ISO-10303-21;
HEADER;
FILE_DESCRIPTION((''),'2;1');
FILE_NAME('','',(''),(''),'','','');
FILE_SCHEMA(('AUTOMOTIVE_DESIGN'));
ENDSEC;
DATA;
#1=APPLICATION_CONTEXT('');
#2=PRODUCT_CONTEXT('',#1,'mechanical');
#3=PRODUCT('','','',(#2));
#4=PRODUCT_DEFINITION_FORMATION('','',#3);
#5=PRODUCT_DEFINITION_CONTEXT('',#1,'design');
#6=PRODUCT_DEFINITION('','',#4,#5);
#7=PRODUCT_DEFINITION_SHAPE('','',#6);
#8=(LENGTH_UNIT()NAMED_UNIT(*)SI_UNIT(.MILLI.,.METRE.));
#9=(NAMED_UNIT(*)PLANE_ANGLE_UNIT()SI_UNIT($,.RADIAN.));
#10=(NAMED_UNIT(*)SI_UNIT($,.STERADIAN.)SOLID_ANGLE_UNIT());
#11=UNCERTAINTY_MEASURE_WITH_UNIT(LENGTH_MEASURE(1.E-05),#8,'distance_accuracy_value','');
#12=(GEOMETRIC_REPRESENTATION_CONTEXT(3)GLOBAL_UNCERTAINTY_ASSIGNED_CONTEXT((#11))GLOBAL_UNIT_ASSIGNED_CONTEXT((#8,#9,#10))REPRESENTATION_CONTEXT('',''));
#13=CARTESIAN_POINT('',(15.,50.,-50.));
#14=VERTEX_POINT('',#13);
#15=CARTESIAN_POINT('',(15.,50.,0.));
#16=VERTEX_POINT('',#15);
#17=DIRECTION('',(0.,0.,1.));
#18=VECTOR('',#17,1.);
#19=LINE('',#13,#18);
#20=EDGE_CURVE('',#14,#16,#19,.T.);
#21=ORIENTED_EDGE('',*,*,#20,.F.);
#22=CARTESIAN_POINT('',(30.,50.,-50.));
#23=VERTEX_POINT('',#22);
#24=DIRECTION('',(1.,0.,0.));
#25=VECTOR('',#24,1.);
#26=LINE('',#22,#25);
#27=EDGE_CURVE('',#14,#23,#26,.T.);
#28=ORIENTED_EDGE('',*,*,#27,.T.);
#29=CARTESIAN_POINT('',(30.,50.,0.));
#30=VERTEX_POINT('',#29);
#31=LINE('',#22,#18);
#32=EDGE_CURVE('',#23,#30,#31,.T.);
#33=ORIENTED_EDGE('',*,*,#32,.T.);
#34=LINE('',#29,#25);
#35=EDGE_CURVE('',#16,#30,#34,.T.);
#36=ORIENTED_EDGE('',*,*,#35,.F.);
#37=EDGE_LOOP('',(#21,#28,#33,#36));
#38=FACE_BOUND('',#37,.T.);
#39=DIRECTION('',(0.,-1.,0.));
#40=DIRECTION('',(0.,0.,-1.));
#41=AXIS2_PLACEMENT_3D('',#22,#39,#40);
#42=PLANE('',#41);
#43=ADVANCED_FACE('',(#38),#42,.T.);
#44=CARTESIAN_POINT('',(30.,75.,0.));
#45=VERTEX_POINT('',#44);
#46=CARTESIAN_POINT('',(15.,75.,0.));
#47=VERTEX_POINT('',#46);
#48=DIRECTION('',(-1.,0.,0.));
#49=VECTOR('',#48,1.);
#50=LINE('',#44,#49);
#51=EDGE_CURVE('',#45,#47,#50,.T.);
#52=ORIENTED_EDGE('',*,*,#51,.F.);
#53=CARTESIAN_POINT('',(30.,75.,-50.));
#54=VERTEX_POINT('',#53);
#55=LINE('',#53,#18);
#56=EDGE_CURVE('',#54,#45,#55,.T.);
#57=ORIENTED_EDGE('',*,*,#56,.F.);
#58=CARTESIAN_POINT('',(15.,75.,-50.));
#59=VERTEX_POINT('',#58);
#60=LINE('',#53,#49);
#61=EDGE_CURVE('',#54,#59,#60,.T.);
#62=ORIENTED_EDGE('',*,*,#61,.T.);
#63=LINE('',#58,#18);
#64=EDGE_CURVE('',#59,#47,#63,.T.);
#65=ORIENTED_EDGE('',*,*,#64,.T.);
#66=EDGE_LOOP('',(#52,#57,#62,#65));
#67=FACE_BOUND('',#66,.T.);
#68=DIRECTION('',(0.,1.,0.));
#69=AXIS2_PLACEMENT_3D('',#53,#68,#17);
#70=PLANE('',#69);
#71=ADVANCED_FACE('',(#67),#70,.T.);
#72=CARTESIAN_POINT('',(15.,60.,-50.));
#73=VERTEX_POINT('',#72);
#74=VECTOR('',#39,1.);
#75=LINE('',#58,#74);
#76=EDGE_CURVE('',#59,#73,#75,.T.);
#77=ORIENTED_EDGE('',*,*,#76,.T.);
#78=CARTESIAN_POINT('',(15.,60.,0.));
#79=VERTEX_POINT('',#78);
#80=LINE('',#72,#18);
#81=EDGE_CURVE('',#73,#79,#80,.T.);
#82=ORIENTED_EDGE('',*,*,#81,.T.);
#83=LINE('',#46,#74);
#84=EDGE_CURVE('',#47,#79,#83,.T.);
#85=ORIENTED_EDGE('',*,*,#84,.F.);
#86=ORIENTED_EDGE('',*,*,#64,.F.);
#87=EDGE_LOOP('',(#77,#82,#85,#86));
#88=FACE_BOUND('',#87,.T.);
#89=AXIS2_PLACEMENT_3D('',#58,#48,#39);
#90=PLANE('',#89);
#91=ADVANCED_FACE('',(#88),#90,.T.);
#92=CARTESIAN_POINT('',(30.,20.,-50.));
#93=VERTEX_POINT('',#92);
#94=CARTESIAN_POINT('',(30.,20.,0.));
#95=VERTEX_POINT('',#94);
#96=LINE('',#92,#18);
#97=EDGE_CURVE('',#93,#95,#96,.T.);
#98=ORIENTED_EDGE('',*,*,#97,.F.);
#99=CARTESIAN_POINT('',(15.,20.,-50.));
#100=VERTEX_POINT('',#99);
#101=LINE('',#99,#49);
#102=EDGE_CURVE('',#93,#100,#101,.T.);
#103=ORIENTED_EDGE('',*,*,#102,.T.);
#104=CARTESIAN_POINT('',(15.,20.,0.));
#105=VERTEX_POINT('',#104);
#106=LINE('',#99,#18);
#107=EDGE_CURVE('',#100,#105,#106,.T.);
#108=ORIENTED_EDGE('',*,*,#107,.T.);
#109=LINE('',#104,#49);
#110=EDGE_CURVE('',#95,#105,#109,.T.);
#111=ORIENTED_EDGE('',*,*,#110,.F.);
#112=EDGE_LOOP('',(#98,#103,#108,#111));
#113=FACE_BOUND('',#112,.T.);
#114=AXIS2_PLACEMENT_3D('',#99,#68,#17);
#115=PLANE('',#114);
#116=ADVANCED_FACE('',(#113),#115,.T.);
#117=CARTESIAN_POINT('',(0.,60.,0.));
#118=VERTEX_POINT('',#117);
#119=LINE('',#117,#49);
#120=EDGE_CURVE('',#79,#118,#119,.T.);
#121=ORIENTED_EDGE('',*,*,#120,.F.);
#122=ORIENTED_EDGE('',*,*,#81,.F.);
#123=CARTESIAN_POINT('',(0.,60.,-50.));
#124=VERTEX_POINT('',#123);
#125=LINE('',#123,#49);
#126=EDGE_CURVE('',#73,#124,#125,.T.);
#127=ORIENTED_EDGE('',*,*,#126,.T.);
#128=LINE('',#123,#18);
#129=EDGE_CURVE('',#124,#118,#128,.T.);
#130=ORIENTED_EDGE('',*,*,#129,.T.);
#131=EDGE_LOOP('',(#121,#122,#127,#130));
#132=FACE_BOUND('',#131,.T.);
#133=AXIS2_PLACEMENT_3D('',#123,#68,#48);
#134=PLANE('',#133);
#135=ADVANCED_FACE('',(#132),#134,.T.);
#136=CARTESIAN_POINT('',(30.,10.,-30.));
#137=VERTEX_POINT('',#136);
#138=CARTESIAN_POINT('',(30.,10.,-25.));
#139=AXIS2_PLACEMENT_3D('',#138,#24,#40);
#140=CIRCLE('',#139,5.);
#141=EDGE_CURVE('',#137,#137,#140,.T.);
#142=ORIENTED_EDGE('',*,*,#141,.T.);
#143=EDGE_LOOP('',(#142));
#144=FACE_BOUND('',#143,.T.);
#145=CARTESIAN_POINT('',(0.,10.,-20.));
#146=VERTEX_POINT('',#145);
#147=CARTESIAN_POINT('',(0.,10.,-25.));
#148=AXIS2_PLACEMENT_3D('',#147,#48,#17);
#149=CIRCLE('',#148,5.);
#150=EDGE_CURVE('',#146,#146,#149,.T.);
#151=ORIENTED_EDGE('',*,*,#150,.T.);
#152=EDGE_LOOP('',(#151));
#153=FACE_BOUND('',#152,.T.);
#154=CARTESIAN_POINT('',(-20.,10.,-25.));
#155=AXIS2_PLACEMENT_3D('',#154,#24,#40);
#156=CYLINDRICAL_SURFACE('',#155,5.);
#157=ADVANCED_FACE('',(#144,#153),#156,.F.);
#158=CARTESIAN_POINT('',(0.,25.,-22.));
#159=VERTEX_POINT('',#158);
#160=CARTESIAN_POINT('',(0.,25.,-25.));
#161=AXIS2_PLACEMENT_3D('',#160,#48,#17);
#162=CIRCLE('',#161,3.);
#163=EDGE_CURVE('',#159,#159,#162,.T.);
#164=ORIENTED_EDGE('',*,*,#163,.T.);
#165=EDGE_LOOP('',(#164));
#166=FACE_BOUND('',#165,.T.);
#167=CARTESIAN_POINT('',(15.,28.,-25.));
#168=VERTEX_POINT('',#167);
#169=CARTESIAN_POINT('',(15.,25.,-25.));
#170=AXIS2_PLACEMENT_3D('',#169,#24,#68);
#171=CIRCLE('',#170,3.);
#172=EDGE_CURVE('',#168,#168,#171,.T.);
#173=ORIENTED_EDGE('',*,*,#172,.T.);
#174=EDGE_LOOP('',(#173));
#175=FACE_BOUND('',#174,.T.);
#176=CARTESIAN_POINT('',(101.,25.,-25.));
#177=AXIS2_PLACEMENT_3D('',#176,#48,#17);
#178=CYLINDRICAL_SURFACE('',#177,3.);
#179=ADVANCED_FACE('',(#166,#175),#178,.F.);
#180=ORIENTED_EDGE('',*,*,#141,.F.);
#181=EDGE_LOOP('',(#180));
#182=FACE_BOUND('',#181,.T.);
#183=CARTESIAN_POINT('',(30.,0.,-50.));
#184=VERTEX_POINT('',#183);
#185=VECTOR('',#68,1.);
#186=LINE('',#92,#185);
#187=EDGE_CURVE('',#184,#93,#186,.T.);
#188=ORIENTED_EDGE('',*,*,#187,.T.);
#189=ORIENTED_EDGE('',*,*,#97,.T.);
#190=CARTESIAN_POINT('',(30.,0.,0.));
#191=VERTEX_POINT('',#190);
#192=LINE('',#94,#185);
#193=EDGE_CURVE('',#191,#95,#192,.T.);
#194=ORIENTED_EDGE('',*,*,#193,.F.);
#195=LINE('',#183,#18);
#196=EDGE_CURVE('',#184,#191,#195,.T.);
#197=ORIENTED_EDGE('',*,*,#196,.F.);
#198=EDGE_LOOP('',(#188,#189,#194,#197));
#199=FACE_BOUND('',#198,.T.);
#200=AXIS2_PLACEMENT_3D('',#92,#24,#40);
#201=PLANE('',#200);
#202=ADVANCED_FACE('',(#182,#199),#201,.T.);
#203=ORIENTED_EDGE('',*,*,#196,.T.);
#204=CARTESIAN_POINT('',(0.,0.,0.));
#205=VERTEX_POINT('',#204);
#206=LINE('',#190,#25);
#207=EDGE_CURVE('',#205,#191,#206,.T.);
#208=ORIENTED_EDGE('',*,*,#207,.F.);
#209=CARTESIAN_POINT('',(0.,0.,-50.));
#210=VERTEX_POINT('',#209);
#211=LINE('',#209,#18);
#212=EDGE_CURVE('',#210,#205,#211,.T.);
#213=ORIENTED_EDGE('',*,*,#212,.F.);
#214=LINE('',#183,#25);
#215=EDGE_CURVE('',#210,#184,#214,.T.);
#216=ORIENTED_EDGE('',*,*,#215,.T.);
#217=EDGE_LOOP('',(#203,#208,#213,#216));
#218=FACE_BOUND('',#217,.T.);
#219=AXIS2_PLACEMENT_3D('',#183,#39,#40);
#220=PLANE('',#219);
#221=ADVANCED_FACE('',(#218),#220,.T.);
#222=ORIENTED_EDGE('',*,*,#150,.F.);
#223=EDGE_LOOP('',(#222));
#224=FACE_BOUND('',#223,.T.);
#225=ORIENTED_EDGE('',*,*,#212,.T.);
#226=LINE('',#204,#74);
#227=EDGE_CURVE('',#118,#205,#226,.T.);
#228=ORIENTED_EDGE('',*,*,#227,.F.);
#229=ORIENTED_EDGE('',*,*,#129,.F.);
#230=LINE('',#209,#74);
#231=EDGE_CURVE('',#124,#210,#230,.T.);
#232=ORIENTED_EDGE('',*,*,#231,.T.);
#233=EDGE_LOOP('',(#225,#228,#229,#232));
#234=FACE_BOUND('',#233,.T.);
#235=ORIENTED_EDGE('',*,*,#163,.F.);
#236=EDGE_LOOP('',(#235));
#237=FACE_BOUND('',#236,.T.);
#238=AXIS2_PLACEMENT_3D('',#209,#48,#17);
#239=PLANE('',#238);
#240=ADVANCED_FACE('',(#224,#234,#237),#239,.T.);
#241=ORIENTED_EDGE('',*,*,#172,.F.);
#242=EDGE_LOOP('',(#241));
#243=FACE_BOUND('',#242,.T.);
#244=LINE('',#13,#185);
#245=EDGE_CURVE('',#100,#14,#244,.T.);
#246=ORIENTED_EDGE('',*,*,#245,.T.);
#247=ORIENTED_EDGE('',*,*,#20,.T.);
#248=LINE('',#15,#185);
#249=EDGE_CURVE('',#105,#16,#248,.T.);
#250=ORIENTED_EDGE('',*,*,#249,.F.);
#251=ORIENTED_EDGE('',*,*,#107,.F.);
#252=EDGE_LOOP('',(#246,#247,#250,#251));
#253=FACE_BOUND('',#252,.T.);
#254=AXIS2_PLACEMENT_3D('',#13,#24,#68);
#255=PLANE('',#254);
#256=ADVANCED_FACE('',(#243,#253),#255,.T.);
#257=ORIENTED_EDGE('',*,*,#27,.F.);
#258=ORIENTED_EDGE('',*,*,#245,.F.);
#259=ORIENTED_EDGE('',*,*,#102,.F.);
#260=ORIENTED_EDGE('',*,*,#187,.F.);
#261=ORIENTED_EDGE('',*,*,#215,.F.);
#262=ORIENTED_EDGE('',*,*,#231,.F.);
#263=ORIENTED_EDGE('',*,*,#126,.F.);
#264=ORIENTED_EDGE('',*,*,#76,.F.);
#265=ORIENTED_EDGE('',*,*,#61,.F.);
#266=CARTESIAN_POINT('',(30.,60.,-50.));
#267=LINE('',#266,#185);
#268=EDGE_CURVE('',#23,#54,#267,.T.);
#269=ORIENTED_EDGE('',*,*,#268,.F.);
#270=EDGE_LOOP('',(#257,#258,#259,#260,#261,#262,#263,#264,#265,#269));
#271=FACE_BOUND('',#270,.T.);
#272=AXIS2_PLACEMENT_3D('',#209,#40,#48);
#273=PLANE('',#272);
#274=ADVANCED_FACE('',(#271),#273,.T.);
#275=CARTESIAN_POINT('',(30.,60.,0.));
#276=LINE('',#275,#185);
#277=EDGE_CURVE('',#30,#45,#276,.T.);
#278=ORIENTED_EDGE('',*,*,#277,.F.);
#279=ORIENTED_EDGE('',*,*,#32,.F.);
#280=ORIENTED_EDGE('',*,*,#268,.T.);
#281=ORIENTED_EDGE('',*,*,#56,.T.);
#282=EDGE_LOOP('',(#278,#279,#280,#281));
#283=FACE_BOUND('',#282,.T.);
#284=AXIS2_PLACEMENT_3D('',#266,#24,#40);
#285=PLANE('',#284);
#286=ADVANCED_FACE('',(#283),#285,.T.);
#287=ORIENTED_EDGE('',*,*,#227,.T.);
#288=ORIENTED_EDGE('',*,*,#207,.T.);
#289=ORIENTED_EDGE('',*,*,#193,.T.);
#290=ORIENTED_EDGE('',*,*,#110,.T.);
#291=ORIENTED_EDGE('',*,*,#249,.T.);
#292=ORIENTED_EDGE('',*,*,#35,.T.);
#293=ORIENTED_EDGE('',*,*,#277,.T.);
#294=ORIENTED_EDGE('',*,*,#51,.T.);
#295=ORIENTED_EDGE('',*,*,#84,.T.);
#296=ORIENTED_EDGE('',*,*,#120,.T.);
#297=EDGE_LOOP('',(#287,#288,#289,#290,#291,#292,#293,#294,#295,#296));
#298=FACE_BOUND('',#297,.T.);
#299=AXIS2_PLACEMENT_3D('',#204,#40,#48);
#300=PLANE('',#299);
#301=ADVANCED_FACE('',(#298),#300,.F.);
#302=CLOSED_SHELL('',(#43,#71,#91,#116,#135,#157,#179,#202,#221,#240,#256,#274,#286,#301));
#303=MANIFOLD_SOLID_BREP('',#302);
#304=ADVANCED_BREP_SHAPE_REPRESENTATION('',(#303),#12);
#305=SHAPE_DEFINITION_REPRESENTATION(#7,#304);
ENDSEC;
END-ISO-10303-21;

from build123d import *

# Parameters (mm, degrees)
BOSS_EXTRUDE1_DEPTH = 50
SKETCH2_R           = 5
CUT_EXTRUDE1_DEPTH  = 50
SKETCH3_R           = 3
CUT_EXTRUDE2_DEPTH  = 101


with BuildPart() as part:
    # Sketch1 → Boss-Extrude1 (new body)
    with BuildSketch(Plane.XY):
        Polygon((30, 0), (0, 0), (0, 60), (15, 60), (15, 75), (30, 75), (30, 60), (30, 50), (15, 50), (15, 20), (30, 20), align=None)
    extrude(amount=-BOSS_EXTRUDE1_DEPTH)

    # Sketch2 → Cut-Extrude1 (cut)
    with BuildSketch(Plane(origin=(30, 0, 0), x_dir=(0, 0, -1), z_dir=(1, 0, 0))):
        with Locations((25, 10)):
            Circle(SKETCH2_R)
    extrude(amount=-CUT_EXTRUDE1_DEPTH, mode=Mode.SUBTRACT)

    # Sketch3 → Cut-Extrude2 (cut)
    with BuildSketch(Plane.ZY):
        with Locations((-25, 25)):
            Circle(SKETCH3_R)
    extrude(amount=-CUT_EXTRUDE2_DEPTH, mode=Mode.SUBTRACT)


solid = part.part
